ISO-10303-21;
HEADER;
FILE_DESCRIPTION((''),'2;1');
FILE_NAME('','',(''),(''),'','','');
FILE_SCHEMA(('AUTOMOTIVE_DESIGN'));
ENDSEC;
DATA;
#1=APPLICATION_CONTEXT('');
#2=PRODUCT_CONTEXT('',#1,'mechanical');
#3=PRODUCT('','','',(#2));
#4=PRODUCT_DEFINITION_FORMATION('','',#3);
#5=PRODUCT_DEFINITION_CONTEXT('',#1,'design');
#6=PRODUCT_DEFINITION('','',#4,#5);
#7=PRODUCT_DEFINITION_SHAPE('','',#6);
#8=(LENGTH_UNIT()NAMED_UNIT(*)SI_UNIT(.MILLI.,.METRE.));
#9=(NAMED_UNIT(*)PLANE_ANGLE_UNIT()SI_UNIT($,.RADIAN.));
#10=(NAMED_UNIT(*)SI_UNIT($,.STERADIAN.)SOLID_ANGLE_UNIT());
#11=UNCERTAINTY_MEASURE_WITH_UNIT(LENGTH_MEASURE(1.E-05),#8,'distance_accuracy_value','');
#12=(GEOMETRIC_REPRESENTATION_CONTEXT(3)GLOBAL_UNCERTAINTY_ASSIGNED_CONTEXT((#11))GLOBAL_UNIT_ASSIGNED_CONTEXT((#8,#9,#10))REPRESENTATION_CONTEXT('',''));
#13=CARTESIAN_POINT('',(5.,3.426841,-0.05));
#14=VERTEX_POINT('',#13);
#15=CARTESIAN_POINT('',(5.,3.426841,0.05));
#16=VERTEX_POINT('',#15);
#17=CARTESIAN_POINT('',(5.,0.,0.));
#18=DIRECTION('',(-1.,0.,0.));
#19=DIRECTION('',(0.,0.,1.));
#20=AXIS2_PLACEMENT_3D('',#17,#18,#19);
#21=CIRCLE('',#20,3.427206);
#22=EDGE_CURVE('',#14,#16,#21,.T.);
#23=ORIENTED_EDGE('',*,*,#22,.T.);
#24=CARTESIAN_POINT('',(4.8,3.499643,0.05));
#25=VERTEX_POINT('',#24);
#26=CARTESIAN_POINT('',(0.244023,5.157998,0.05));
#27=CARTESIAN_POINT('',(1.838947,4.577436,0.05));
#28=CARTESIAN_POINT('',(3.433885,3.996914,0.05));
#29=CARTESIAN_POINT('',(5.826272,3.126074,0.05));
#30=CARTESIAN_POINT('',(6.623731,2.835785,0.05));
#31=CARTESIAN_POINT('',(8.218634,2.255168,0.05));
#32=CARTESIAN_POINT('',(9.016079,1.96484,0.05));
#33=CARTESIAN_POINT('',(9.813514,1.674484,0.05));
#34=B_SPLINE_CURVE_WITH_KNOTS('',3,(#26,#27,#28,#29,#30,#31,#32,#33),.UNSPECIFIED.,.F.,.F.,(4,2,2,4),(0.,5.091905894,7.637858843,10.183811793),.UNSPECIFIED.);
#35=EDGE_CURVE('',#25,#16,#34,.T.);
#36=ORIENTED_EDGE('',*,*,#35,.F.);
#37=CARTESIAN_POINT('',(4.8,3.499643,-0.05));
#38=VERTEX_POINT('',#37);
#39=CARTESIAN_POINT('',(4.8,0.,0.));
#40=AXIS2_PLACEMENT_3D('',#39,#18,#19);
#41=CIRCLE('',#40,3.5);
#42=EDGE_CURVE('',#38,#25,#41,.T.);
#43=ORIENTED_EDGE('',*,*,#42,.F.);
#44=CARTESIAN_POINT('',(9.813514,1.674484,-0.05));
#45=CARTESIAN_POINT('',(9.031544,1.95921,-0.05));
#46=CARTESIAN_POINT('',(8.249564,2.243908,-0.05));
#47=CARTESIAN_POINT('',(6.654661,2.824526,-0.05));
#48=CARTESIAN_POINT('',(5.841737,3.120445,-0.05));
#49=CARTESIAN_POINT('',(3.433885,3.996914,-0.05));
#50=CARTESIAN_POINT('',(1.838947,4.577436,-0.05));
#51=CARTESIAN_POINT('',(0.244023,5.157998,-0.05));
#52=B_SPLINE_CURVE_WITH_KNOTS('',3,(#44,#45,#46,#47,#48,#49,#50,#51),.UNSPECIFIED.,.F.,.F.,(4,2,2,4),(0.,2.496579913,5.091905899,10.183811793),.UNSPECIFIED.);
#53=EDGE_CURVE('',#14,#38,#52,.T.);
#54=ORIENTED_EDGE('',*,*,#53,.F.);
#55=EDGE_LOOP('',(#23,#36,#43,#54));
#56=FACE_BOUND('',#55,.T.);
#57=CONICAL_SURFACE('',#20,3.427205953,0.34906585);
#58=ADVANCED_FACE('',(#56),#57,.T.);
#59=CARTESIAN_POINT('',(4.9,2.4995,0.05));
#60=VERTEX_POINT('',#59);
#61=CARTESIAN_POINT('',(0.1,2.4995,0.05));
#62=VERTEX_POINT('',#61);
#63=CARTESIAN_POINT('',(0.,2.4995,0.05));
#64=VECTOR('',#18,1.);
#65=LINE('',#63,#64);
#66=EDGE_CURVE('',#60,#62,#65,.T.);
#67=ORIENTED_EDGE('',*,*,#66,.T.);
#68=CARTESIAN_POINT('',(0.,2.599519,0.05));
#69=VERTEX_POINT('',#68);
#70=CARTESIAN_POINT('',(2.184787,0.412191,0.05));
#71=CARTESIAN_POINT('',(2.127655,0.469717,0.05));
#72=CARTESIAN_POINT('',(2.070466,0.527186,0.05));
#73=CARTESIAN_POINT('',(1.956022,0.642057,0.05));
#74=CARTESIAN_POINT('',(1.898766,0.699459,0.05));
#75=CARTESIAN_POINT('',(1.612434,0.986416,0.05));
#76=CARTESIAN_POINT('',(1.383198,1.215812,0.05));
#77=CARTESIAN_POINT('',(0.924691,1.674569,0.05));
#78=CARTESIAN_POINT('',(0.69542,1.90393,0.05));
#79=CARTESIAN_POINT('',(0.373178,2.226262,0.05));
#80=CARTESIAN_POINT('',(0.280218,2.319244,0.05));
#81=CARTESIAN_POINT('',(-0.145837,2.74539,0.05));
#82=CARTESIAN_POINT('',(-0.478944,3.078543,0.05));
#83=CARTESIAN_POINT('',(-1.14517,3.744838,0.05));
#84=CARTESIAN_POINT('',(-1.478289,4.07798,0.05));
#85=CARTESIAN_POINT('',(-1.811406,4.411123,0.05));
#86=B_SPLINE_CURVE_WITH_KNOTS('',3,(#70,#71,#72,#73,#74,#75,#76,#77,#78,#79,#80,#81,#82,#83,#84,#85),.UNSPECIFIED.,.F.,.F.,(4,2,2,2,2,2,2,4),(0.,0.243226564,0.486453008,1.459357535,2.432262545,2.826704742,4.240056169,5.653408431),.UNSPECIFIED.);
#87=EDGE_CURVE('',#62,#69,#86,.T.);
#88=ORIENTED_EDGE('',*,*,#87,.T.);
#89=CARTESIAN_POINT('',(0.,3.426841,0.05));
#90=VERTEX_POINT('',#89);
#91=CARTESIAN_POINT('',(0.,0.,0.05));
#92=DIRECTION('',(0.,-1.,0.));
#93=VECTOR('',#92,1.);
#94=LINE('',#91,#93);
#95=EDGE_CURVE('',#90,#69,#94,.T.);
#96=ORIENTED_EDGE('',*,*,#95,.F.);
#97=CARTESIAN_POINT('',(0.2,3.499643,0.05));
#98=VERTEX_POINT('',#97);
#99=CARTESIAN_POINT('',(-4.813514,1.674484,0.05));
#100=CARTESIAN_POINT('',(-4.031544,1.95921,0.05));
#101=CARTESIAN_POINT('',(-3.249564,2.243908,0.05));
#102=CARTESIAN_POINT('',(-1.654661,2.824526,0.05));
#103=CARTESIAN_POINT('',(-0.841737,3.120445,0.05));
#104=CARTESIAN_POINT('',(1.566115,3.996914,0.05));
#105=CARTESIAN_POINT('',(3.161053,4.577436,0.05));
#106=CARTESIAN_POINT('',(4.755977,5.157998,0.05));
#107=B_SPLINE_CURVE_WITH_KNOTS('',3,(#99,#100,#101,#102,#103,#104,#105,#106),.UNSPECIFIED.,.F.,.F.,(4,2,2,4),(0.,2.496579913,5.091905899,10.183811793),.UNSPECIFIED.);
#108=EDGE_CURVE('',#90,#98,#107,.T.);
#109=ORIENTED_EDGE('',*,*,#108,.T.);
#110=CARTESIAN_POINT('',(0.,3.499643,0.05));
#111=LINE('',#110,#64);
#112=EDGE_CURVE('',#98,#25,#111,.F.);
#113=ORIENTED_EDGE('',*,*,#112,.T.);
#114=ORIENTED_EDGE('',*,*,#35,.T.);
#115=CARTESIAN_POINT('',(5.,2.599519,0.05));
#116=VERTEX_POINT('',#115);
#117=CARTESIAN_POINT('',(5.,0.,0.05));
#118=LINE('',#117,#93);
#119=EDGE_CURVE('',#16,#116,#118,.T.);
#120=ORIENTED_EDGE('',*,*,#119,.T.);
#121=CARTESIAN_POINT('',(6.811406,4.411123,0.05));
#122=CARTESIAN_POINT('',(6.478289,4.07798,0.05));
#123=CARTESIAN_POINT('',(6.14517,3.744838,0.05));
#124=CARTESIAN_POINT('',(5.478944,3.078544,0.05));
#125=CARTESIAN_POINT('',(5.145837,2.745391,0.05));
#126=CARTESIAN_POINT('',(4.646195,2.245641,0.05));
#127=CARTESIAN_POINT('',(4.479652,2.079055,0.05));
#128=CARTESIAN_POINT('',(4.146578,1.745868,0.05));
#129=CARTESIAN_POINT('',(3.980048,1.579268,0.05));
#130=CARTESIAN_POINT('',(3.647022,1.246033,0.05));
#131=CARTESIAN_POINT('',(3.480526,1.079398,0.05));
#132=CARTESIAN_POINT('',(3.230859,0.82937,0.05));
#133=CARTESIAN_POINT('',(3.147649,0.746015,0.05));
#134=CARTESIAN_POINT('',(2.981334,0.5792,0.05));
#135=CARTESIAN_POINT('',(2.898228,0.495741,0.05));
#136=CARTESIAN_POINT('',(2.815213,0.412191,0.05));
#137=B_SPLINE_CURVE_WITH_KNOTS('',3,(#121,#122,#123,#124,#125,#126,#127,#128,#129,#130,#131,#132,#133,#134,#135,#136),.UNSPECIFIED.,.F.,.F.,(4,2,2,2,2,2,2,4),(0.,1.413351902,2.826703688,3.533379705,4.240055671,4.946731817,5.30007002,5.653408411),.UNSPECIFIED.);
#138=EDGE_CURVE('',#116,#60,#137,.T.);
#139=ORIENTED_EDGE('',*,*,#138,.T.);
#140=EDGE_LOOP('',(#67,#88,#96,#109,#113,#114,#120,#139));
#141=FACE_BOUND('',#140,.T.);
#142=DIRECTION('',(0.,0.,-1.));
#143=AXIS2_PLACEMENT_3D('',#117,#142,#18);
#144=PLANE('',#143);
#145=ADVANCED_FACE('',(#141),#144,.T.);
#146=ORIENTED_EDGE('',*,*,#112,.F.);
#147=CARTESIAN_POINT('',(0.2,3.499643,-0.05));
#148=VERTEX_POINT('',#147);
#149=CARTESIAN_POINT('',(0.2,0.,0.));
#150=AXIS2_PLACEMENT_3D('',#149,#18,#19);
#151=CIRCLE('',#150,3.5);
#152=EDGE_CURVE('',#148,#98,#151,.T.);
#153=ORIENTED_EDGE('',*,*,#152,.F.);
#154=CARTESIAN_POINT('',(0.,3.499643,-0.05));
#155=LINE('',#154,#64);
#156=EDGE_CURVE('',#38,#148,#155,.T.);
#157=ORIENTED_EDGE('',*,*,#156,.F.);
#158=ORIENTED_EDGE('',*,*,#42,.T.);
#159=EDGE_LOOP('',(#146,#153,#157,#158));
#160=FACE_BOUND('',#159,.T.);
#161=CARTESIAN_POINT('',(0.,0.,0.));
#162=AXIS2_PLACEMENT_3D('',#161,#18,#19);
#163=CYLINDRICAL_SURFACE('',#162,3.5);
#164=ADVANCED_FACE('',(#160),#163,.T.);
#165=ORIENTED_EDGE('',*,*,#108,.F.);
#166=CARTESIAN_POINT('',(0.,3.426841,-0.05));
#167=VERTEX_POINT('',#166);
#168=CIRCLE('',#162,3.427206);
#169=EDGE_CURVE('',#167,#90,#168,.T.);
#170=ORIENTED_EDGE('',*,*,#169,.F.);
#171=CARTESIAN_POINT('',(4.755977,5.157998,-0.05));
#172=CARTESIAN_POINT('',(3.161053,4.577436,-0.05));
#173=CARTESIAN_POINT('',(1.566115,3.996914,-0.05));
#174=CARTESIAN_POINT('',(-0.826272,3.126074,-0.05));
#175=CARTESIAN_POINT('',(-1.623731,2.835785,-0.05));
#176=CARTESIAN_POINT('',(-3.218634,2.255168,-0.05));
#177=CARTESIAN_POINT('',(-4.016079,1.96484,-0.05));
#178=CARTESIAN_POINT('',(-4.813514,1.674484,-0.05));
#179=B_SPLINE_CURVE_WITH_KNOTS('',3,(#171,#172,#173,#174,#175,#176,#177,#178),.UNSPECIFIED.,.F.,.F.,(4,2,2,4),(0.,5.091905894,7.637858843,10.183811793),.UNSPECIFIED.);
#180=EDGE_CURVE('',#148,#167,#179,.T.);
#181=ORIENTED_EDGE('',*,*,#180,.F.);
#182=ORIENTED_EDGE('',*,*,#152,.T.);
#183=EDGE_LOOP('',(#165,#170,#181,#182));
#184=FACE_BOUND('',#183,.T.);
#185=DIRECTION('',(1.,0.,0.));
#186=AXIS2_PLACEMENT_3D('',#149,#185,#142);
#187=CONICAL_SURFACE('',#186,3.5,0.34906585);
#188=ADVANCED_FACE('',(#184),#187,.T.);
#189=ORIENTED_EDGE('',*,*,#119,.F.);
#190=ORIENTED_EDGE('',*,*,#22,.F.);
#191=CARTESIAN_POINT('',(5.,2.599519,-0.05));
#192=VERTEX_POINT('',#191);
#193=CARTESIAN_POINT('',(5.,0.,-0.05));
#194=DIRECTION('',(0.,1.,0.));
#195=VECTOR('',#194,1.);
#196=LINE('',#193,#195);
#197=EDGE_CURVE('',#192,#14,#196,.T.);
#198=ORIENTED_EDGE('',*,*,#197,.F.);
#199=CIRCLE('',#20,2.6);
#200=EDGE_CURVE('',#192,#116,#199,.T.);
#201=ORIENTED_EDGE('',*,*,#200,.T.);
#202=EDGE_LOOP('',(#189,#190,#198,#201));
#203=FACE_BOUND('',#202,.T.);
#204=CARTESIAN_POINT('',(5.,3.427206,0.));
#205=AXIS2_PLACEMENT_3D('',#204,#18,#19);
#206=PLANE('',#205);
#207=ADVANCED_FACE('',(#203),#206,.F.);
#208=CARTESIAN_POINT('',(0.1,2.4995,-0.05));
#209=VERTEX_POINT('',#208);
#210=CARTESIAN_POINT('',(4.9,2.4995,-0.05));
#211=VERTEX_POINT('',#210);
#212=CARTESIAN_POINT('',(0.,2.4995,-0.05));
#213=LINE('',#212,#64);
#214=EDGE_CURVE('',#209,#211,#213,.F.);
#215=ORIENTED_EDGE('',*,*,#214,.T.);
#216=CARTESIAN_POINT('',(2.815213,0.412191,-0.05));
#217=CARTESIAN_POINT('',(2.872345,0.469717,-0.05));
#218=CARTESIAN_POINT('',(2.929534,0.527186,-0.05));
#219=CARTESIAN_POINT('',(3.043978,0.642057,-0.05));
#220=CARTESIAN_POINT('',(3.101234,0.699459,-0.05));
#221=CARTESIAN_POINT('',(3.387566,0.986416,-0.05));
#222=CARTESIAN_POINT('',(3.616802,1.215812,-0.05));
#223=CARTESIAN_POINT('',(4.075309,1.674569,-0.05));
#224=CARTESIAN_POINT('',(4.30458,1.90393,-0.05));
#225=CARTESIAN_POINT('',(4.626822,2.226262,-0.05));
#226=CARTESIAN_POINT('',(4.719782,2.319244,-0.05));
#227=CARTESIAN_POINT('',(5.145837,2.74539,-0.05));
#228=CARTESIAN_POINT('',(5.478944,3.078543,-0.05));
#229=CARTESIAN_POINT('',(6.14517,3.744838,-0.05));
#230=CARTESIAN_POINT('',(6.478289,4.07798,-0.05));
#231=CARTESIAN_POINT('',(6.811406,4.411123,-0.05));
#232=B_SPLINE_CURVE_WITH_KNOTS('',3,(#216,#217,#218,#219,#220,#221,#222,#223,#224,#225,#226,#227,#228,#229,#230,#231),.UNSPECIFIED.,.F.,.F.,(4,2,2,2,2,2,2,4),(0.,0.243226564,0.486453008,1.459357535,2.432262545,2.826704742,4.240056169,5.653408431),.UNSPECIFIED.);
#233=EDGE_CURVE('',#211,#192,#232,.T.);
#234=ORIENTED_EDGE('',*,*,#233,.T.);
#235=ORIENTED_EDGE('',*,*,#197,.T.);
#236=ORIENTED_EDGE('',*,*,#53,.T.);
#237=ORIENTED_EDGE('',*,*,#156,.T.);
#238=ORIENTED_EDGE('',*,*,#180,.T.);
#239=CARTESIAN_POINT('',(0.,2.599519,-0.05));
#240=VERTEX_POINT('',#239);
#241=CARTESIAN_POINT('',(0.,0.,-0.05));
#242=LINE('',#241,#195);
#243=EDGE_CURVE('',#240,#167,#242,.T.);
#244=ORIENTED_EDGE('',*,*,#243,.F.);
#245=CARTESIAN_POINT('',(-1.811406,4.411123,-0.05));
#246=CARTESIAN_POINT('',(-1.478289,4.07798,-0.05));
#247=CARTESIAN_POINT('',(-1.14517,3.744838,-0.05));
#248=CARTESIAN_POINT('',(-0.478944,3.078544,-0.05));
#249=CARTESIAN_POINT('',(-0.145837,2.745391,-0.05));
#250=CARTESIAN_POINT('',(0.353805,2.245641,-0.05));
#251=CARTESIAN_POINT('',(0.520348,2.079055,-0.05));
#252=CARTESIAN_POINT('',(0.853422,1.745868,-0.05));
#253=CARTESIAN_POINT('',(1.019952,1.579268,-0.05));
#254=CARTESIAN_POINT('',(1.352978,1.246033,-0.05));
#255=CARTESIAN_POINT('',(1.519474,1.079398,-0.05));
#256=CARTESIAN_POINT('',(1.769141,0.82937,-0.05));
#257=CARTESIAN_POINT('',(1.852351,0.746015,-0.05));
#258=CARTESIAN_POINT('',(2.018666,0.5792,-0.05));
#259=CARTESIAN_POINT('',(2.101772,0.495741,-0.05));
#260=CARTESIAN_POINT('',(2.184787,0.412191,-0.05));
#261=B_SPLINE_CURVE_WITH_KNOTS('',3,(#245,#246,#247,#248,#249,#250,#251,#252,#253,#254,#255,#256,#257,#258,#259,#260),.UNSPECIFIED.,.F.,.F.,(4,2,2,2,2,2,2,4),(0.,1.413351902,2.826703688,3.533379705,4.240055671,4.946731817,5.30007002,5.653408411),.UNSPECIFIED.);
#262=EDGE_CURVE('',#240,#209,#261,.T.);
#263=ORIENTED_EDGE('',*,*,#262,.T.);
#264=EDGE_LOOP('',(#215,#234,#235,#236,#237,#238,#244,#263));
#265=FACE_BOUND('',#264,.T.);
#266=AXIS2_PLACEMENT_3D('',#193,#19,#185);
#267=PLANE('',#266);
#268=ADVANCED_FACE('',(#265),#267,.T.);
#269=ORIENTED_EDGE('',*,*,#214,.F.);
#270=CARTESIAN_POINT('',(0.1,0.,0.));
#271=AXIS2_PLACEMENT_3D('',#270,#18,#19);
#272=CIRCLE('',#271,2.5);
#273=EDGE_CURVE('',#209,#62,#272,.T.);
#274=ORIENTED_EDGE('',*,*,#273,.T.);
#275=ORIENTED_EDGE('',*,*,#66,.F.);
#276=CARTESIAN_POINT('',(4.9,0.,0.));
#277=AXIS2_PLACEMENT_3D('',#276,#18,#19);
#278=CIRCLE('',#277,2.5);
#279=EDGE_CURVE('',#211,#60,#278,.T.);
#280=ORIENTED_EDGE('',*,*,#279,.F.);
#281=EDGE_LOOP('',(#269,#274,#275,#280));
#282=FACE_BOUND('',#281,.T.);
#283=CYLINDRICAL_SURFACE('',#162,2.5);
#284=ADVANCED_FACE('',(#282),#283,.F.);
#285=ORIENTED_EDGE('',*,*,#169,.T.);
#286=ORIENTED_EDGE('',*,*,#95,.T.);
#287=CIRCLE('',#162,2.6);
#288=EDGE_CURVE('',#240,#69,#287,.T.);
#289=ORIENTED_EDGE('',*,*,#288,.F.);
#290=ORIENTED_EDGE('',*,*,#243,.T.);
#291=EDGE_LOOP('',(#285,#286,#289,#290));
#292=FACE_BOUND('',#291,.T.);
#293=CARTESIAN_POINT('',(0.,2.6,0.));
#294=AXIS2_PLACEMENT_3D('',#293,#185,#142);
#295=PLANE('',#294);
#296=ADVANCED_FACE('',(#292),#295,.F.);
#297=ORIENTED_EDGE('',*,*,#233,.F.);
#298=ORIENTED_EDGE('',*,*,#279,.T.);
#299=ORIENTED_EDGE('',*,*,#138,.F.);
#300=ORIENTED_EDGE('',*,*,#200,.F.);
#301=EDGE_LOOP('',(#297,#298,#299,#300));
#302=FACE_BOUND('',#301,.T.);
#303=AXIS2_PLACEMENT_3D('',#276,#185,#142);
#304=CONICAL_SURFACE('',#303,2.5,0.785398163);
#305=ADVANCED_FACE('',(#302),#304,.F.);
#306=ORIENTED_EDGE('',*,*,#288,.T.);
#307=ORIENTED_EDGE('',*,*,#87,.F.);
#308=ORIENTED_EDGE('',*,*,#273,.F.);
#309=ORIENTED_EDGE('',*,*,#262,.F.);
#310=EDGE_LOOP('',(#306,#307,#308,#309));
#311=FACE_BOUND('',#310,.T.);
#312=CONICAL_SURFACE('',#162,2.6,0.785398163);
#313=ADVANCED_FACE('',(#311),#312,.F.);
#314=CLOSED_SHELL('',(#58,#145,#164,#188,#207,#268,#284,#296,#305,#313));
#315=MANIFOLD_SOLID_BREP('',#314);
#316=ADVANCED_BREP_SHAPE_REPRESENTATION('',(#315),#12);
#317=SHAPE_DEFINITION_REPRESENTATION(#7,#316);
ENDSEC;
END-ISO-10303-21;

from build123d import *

# Parameters (mm, degrees)
SKETCH_2_W          = 0.1
SKETCH_2_H          = 3.5
CUT_EXTRUDE_1_DEPTH = 6


with BuildPart() as part:
    # 草图1 → 旋转1 (revolve)
    with BuildSketch(Plane.XY):
        Polygon((0.2, 3.5), (4.8, 3.5), (5, 3.427205953), (5, 2.6), (4.9, 2.5), (0.1, 2.5), (0, 2.6), (0, 3.427205953), align=None)
    revolve(axis=Axis((0, 0, 0), (1, 0, 0)))

    # 草图2 → 切除-拉伸1 (cut, through all)
    with BuildSketch(Plane(origin=(0, 0, 0), x_dir=(0, 0, -1), z_dir=(1, 0, 0))):
        with Locations((0, 1.75)):
            Rectangle(SKETCH_2_W, SKETCH_2_H)
    extrude(amount=CUT_EXTRUDE_1_DEPTH, mode=Mode.SUBTRACT)


solid = part.part
